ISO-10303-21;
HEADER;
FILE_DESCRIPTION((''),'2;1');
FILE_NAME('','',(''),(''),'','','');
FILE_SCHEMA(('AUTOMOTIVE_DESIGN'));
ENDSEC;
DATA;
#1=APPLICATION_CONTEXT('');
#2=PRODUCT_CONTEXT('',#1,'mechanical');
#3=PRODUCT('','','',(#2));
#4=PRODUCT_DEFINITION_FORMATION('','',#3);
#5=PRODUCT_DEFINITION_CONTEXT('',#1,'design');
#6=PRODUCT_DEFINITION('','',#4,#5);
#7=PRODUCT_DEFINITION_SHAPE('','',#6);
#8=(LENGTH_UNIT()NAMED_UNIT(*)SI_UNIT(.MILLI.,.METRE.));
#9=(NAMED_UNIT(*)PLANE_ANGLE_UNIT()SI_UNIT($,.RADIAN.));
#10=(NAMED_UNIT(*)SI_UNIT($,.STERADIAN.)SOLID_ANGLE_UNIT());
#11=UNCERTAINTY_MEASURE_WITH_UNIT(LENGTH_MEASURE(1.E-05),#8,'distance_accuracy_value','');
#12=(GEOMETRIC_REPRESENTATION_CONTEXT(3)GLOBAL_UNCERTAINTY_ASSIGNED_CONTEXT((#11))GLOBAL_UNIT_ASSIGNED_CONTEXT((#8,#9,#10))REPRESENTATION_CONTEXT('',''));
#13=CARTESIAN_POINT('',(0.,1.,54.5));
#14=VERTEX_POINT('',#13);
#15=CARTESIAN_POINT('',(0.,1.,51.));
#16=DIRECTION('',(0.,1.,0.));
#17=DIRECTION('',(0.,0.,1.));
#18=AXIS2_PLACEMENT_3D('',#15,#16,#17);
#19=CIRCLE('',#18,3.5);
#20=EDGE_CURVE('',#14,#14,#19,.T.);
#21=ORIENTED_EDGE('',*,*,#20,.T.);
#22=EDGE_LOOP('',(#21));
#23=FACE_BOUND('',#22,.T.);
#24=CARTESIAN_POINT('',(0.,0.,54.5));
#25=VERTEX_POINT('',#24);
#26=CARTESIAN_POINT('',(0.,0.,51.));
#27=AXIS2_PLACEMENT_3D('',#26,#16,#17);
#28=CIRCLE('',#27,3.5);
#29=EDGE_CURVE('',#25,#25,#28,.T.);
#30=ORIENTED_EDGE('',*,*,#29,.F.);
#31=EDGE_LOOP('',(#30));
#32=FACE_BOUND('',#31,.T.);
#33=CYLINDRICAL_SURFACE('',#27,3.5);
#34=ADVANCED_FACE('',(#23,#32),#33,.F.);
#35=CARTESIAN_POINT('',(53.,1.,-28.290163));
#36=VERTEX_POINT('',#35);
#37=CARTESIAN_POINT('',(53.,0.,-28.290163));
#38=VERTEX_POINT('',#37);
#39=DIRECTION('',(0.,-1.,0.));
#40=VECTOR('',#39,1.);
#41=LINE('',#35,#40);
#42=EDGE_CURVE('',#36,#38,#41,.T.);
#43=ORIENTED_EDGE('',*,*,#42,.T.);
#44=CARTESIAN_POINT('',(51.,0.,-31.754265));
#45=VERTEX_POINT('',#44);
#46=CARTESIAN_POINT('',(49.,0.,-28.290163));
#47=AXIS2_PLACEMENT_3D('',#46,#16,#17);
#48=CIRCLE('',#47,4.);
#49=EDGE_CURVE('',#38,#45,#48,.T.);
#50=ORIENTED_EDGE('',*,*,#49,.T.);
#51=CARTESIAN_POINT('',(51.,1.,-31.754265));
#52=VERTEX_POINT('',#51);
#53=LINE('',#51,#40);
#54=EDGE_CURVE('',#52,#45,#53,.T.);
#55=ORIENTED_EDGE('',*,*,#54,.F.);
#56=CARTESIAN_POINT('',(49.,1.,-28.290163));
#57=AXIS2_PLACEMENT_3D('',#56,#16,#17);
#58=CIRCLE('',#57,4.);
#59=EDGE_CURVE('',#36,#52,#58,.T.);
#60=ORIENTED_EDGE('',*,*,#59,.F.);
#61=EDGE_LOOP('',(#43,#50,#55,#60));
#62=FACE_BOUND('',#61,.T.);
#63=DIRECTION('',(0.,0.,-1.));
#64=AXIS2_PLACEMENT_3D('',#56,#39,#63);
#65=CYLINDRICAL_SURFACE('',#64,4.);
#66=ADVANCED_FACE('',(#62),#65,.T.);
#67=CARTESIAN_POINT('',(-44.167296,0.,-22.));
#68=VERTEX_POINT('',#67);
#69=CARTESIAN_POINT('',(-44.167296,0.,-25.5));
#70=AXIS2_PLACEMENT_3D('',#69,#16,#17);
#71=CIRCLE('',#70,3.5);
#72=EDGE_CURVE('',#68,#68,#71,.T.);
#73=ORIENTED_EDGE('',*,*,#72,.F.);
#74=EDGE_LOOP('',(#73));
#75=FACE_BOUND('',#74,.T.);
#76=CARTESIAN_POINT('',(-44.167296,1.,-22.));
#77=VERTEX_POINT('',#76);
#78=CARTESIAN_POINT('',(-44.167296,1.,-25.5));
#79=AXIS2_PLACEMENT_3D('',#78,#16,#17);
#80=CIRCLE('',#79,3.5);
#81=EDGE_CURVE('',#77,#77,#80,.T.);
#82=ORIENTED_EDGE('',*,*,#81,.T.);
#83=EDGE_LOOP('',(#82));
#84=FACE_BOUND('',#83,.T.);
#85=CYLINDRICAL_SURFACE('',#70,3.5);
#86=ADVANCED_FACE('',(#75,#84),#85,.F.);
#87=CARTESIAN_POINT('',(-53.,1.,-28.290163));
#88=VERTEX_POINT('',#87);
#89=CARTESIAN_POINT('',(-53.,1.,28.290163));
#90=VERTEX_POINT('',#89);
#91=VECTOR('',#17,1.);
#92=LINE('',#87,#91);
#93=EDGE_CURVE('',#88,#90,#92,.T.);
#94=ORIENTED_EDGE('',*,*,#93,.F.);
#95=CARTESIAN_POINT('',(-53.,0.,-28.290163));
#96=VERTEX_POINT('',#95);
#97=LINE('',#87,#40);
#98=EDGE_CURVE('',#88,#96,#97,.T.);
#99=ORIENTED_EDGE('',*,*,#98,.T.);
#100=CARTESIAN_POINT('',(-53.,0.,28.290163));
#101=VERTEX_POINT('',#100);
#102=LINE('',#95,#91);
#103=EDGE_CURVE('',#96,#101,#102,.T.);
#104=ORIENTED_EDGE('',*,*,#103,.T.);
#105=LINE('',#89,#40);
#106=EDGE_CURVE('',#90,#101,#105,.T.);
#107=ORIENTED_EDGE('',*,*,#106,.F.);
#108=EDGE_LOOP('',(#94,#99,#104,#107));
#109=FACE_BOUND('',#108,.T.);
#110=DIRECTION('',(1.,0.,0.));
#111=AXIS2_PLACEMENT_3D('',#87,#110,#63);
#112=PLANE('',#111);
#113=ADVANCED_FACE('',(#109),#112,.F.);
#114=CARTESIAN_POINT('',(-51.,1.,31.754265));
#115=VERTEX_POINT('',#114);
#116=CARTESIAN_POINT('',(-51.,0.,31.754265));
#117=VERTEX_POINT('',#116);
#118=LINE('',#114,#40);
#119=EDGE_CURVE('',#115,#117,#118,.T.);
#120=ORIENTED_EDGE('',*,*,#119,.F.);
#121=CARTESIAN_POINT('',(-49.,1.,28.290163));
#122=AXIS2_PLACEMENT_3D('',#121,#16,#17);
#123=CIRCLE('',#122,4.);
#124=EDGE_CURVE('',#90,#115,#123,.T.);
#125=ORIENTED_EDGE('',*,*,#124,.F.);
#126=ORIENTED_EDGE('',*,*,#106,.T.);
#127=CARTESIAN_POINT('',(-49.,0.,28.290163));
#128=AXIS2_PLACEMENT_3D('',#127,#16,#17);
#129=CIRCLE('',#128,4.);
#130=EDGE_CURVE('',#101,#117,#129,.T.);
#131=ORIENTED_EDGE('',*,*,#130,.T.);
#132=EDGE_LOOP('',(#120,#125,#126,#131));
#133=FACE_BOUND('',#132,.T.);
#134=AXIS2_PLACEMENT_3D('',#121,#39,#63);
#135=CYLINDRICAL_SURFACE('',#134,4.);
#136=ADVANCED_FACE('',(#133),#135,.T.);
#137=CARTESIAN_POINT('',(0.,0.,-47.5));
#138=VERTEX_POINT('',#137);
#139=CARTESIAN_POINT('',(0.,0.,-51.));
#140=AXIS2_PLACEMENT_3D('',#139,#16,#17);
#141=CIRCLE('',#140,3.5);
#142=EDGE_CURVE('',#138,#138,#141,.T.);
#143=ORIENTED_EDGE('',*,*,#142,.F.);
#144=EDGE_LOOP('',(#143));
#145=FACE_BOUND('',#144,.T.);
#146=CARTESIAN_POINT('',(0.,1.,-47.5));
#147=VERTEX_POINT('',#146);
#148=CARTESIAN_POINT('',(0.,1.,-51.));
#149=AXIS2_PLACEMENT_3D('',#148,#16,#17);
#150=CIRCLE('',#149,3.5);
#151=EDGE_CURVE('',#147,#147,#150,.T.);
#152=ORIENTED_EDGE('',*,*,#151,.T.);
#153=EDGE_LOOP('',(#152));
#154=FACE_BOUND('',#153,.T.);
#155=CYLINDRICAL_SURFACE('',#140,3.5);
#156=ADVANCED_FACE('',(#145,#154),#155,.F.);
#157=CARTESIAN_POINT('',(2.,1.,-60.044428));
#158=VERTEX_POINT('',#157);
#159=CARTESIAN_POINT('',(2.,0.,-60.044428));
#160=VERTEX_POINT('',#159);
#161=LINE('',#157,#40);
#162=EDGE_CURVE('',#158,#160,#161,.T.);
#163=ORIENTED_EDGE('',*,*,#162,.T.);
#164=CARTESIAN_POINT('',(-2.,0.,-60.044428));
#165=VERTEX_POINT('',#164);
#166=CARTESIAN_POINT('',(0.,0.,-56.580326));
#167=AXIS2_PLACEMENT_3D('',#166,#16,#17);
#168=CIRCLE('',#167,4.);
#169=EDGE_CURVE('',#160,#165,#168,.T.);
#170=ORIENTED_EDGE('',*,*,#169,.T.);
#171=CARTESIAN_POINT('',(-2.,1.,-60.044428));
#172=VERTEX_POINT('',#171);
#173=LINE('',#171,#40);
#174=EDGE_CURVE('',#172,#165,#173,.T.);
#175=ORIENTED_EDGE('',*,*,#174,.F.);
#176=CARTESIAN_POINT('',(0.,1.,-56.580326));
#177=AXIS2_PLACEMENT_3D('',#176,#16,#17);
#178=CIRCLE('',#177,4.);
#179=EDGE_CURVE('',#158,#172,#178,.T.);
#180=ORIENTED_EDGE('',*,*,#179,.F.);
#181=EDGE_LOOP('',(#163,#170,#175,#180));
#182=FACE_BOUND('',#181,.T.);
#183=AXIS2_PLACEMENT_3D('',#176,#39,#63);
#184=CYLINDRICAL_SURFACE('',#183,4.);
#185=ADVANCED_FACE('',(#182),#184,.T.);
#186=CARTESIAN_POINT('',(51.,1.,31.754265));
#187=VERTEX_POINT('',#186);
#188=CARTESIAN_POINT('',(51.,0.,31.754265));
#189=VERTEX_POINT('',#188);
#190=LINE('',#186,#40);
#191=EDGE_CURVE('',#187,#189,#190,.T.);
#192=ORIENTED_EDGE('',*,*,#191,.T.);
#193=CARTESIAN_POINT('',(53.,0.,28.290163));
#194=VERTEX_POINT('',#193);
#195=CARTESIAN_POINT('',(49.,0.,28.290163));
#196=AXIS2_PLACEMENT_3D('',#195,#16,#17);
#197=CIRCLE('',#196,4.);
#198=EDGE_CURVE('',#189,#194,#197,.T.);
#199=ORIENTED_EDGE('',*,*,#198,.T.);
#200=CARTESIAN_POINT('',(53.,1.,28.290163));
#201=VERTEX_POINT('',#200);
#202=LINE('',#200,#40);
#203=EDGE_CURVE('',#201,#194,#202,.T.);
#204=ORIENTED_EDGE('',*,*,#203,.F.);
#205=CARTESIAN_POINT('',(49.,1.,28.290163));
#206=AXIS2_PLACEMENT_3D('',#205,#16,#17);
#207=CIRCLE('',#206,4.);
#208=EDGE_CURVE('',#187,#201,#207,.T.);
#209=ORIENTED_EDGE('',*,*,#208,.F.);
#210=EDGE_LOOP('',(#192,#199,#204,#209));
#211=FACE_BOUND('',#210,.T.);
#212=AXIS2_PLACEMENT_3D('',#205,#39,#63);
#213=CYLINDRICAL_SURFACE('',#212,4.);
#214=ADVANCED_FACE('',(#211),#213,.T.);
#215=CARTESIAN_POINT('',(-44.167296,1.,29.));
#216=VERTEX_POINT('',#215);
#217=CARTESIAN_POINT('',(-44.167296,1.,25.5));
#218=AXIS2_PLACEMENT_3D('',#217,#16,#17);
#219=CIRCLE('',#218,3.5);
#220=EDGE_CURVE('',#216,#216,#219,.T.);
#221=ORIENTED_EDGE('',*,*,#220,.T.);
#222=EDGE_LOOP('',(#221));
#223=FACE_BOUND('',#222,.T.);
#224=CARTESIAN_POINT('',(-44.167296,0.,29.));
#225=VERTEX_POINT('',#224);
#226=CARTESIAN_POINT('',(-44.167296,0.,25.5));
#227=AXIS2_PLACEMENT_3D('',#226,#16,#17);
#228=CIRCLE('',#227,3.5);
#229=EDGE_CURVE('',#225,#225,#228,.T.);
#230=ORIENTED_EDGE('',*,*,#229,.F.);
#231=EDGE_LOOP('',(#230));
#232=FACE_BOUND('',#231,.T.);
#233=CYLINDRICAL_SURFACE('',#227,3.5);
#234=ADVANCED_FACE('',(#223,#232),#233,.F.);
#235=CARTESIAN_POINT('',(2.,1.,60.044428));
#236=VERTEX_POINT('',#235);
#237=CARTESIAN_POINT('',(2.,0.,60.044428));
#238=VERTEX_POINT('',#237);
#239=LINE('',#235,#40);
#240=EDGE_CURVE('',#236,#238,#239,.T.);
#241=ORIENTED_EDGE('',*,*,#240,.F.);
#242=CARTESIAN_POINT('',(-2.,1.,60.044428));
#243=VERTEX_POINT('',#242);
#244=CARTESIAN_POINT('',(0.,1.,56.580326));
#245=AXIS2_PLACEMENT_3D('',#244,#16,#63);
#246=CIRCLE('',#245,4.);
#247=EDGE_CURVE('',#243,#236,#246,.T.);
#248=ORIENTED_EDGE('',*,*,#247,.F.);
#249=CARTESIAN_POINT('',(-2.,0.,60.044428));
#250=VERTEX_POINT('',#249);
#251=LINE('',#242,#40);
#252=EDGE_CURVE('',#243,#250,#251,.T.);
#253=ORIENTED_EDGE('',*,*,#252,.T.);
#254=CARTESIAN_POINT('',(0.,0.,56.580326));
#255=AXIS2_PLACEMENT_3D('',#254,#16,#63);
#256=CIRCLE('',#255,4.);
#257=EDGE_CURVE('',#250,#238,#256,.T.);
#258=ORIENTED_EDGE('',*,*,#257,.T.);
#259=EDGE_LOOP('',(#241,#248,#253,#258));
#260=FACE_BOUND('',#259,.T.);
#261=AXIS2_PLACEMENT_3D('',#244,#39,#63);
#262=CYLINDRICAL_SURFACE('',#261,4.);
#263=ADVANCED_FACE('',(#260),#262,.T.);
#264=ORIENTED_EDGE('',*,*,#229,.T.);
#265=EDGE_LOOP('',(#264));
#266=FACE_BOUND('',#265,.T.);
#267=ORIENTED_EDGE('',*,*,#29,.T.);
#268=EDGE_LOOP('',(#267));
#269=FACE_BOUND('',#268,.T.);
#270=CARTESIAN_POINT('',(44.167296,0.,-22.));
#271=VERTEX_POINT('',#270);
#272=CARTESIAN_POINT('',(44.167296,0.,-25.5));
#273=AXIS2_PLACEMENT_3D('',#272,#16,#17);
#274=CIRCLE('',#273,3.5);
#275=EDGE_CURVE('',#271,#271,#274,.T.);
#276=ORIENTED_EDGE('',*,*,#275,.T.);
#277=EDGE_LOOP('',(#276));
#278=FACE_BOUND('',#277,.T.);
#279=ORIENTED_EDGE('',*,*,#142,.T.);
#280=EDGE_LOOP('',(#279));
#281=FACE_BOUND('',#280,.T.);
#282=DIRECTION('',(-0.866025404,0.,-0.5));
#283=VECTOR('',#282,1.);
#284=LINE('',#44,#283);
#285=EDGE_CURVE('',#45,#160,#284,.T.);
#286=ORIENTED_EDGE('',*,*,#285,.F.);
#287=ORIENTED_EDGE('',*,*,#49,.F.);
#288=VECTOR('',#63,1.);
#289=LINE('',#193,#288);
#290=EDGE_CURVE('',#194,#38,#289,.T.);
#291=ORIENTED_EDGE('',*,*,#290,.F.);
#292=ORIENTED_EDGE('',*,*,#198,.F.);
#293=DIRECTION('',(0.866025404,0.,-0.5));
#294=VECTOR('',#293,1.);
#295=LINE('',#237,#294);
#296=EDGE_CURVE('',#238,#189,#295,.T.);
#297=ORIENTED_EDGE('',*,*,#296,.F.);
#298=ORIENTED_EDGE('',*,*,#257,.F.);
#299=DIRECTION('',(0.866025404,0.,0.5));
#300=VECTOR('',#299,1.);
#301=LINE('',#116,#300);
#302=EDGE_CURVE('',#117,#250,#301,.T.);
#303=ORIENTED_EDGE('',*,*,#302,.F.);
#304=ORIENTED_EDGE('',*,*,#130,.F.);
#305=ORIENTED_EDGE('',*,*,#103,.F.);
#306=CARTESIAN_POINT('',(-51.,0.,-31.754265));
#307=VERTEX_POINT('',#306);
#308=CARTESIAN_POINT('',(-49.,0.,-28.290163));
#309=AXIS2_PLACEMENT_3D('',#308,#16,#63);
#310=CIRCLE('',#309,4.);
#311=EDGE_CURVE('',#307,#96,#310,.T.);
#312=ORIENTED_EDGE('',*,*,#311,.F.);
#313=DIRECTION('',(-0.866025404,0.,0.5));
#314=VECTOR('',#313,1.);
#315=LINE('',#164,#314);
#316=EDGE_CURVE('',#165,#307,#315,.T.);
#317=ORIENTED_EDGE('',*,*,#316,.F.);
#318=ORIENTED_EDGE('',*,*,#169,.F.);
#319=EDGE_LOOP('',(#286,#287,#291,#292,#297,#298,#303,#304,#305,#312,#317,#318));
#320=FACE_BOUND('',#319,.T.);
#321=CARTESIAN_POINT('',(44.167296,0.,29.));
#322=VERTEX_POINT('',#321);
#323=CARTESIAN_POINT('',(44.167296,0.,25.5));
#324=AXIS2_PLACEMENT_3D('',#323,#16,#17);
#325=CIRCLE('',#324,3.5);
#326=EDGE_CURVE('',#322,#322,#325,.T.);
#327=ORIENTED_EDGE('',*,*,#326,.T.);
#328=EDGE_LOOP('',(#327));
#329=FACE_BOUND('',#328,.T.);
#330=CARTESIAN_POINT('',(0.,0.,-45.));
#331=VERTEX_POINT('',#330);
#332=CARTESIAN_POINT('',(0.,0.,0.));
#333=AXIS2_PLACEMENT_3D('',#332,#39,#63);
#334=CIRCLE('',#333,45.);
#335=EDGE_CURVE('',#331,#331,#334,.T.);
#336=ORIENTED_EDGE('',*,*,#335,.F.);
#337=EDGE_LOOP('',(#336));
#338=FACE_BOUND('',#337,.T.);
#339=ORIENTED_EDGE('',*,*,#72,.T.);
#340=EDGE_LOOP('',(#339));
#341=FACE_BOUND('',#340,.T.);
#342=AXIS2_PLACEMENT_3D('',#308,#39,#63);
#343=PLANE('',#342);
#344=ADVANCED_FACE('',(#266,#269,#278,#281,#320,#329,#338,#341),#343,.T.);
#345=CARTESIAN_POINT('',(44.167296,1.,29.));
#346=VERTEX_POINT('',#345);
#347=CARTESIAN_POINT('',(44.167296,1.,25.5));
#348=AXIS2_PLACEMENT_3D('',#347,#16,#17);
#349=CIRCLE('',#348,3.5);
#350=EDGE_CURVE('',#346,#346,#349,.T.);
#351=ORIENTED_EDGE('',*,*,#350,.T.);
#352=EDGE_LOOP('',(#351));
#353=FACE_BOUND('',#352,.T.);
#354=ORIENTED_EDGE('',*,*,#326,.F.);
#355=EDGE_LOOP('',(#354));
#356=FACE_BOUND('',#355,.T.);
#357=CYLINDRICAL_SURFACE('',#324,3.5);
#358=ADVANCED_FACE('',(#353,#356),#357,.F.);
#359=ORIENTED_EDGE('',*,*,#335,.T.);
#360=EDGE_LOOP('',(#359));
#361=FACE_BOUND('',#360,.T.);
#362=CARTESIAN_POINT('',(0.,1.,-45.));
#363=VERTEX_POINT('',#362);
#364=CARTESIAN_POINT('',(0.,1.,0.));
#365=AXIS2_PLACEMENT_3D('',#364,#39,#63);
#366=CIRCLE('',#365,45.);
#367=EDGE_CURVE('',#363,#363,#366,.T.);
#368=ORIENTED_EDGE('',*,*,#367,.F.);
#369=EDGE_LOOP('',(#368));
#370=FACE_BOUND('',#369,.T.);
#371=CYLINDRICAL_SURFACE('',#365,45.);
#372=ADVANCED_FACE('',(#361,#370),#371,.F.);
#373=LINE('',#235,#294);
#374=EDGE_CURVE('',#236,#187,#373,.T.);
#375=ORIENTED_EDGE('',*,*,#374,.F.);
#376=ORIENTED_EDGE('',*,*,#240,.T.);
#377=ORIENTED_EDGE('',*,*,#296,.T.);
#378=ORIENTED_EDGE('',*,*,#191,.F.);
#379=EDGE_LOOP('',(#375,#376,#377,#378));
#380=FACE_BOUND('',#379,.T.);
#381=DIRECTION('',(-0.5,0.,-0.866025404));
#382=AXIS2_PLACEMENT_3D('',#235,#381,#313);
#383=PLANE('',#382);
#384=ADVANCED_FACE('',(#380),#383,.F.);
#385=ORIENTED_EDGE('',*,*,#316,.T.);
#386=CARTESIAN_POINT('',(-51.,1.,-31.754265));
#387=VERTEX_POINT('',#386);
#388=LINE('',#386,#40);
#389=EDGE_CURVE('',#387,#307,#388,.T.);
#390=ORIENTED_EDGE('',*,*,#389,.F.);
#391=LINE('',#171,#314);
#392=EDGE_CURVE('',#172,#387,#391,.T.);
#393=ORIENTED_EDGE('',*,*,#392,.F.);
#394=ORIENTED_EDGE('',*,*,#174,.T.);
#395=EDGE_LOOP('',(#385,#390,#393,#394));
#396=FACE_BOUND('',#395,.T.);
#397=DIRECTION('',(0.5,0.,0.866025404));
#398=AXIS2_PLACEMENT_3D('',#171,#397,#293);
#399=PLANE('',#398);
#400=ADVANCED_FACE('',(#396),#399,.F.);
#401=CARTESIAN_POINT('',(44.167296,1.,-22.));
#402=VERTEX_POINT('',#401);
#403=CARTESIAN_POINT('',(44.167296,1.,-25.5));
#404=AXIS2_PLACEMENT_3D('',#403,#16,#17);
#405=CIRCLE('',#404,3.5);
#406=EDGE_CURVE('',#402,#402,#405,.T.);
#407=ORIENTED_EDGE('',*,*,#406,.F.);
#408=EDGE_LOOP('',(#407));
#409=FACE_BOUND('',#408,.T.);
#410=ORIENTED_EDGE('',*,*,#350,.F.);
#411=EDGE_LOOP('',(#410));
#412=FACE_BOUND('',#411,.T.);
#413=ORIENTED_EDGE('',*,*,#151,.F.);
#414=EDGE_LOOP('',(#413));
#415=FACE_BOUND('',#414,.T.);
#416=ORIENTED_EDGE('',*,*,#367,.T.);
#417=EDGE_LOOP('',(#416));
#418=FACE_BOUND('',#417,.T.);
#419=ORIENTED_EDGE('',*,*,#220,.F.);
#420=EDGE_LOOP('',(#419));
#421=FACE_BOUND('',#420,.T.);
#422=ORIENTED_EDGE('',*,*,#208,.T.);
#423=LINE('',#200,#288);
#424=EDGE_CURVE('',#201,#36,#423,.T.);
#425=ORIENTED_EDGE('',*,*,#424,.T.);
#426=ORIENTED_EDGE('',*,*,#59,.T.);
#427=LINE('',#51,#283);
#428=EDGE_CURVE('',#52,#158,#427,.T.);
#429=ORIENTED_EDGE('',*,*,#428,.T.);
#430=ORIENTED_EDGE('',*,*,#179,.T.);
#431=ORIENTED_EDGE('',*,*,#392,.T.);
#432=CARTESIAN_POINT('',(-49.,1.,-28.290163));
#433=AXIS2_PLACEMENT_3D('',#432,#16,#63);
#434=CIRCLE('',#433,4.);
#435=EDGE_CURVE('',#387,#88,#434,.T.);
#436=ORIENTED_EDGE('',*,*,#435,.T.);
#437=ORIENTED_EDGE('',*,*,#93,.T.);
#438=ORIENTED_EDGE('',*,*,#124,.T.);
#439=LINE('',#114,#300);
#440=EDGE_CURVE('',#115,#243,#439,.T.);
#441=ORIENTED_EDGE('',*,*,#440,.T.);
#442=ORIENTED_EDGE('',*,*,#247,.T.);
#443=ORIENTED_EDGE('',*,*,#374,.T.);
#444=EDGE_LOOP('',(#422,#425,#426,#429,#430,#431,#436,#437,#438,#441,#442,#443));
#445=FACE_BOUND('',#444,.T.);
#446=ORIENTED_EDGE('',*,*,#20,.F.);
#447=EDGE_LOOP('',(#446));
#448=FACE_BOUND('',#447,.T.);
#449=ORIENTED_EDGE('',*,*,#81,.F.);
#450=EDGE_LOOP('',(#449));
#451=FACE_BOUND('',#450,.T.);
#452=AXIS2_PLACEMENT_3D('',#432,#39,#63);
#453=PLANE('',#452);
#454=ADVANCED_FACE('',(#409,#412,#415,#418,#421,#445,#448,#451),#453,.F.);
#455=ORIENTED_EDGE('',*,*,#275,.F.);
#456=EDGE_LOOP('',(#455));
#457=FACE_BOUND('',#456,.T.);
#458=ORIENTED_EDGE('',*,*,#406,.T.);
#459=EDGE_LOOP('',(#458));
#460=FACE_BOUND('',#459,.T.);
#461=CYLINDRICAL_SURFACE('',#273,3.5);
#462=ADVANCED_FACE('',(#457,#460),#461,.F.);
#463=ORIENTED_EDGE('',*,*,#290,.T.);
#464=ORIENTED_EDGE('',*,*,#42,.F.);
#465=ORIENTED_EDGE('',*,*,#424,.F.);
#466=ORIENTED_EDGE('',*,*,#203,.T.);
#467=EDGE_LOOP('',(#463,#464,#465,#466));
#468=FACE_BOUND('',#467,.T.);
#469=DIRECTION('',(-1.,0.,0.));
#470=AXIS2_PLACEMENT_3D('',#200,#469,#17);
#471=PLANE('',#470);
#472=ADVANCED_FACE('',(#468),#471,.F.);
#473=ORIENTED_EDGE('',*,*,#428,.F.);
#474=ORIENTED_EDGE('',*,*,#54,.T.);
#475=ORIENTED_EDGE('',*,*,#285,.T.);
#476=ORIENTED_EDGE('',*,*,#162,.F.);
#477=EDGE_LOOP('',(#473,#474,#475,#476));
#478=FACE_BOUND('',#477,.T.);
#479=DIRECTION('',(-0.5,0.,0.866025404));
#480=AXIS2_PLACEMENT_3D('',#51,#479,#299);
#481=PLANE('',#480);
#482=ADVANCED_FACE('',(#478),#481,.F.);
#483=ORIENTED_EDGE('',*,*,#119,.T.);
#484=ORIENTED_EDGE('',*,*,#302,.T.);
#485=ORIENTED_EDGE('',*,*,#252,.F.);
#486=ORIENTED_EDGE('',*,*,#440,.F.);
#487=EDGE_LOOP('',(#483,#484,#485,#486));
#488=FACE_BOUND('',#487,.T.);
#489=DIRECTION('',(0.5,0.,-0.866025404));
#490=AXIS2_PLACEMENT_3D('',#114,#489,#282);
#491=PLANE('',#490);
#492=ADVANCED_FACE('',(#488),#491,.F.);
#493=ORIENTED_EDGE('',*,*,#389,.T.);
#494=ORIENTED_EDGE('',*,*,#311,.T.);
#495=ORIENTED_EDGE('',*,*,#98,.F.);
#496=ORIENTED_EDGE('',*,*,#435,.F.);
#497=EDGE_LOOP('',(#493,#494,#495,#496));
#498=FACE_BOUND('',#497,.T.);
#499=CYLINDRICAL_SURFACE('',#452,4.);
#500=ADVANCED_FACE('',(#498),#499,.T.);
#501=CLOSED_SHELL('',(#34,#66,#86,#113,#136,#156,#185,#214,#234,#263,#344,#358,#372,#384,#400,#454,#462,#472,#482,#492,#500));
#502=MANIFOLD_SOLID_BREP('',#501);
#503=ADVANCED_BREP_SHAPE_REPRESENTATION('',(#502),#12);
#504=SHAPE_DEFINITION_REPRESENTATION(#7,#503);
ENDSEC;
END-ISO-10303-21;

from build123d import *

# Parameters (mm, degrees)
BOSS_EXTRUDE1_DEPTH = 1
SKETCH2_R           = 3.5
CUT_EXTRUDE1_DEPTH  = 81.498297773
SKETCH3_R           = 45
CUT_EXTRUDE2_DEPTH  = 81.498297773


with BuildPart() as part:
    # Sketch1 → Boss-Extrude1 (new body)
    with BuildSketch(Plane(origin=(0, 0, 0), x_dir=(1, 0, 0), z_dir=(0, 1, 0))):
        with BuildLine():
            Line((2, -60.044427996), (51, -31.754264805))
            ThreePointArc((51, -31.754264805), (52.464101615, -30.29016319), (53, -28.29016319))
            Line((53, -28.29016319), (53, 28.29016319))
            ThreePointArc((53, 28.29016319), (52.464101615, 30.29016319), (51, 31.754264805))
            Line((51, 31.754264805), (2, 60.044427996))
            ThreePointArc((2, 60.044427996), (0, 60.580326381), (-2, 60.044427996))
            Line((-2, 60.044427996), (-51, 31.754264805))
            ThreePointArc((-51, 31.754264805), (-52.464101615, 30.29016319), (-53, 28.29016319))
            Line((-53, 28.29016319), (-53, -28.29016319))
            ThreePointArc((-53, -28.29016319), (-52.464101615, -30.29016319), (-51, -31.754264805))
            Line((-51, -31.754264805), (-2, -60.044427996))
            ThreePointArc((-2, -60.044427996), (0, -60.580326381), (2, -60.044427996))
        make_face()
    extrude(amount=BOSS_EXTRUDE1_DEPTH)

    # Sketch2 → Cut-Extrude1 (cut, through all)
    with BuildSketch(Plane(origin=(0, 1, 0), x_dir=(1, 0, 0), z_dir=(0, 1, 0))):
        with Locations(Location((0, 51, 0), (0, 0, 270))):
            Circle(SKETCH2_R)
        with Locations(Location((44.167295593, 25.5, 0), (0, 0, 270))):
            Circle(SKETCH2_R)
        with Locations(Location((44.167295593, -25.5, 0), (0, 0, 270))):
            Circle(SKETCH2_R)
        with Locations(Location((0, -51, 0), (0, 0, 270))):
            Circle(SKETCH2_R)
        with Locations(Location((-44.167295593, -25.5, 0), (0, 0, 270))):
            Circle(SKETCH2_R)
        with Locations(Location((-44.167295593, 25.5, 0), (0, 0, 270))):
            Circle(SKETCH2_R)
    extrude(amount=-CUT_EXTRUDE1_DEPTH, mode=Mode.SUBTRACT)

    # Sketch3 → Cut-Extrude2 (cut, through all)
    with BuildSketch(Plane.XZ):
        with Locations(Location((0, 0, 0), (0, 0, 270))):
            Circle(SKETCH3_R)
    extrude(amount=-CUT_EXTRUDE2_DEPTH, mode=Mode.SUBTRACT)


solid = part.part
